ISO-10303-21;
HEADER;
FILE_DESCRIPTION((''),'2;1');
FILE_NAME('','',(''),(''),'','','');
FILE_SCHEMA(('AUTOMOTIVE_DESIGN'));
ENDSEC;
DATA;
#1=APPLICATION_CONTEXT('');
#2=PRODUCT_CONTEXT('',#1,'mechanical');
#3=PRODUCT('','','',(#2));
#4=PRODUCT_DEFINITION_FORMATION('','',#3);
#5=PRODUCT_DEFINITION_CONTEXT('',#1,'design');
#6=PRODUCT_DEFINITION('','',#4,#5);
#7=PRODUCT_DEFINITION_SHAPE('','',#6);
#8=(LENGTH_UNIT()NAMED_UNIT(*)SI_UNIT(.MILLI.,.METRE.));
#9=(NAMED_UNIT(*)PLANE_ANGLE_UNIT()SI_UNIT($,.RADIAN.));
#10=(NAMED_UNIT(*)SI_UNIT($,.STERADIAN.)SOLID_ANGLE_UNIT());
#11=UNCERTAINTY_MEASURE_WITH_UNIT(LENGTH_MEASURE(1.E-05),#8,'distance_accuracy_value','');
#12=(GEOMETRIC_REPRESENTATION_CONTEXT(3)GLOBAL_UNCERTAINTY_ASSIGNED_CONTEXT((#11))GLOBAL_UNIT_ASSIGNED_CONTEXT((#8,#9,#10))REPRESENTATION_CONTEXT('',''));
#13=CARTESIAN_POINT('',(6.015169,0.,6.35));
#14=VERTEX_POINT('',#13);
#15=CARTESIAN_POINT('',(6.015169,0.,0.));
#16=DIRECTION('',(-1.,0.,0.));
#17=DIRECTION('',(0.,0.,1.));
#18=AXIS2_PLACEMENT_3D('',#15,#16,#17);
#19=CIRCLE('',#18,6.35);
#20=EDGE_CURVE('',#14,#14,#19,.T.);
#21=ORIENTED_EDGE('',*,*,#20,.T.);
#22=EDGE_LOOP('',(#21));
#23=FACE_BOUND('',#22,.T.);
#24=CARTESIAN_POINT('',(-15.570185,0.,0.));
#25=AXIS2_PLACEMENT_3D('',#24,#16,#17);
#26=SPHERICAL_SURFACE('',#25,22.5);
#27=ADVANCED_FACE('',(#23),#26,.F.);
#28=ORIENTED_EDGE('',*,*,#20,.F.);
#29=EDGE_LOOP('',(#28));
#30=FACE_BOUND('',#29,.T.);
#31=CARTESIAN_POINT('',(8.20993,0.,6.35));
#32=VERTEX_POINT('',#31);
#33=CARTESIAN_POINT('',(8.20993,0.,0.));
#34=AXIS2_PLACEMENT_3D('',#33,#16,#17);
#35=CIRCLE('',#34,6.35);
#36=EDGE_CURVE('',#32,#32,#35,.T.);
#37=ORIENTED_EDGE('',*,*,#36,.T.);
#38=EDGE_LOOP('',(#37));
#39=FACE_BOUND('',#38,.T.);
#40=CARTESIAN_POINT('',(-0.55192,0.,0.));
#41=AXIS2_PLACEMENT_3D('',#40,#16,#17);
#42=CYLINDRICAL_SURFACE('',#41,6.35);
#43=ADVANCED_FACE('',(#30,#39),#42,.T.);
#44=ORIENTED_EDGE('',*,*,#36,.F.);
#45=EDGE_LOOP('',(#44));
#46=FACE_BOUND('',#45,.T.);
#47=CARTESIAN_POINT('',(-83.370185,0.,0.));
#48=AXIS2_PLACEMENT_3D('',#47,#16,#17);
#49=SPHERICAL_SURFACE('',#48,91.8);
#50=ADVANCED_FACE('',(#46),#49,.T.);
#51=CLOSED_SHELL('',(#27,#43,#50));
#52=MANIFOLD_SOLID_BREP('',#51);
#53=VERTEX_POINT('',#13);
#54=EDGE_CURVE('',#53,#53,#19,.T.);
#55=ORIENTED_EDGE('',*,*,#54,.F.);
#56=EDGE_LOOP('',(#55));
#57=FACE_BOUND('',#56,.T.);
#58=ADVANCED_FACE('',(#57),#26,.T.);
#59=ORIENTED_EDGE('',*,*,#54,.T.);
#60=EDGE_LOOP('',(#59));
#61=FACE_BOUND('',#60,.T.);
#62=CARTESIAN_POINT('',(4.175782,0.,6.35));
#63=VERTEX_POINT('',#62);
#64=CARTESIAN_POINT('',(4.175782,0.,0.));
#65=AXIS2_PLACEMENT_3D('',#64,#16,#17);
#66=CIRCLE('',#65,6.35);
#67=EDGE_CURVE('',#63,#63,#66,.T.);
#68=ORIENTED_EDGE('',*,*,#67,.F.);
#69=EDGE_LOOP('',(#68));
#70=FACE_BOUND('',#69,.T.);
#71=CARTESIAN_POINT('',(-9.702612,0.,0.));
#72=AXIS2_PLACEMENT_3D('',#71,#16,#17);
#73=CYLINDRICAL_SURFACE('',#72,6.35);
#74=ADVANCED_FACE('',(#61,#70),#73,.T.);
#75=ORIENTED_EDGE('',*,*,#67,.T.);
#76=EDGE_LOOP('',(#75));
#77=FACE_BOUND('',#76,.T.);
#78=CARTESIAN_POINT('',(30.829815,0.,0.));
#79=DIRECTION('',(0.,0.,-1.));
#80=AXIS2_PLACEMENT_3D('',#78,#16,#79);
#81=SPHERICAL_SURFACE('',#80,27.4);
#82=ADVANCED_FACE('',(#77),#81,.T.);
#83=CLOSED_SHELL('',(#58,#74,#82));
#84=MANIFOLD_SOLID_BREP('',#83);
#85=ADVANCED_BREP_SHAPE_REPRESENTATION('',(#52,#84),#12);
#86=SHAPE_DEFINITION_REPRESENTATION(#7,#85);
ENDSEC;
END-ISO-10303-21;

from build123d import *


with BuildPart() as part:
    # 草图1 one side → 旋转1 (revolve)
    with BuildSketch(Plane(origin=(0, 0, 0), x_dir=(1, 0, 0), z_dir=(0, 1, 0)), mode=Mode.PRIVATE) as revolve_1_sk:
        with BuildLine():
            ThreePointArc((4.175781711, 6.35), (3.616945823, 3.196833045), (3.429815177, 0))
            Line((3.429815177, 0), (6.929815177, 0))
            ThreePointArc((6.929815177, 0), (6.699979761, 3.207767043), (6.015169008, 6.35))
            Line((6.015169008, 6.35), (4.175781711, 6.35))
        make_face()
    revolve(revolve_1_sk.sketch.rotate(Axis((-9.702612178, 0, 0), (1, 0, 0)), 180), axis=Axis((-9.702612178, 0, 0), (1, 0, 0)))  # turned: the seam where the file's is


with BuildPart() as body_2:
    # 草图2 one side → 旋转3 (revolve)
    with BuildSketch(Plane(origin=(0, 0, 0), x_dir=(1, 0, 0), z_dir=(0, 1, 0)), mode=Mode.PRIVATE) as revolve_3_sk:
        with BuildLine():
            Line((8.209930377, 6.35), (6.015169008, 6.35))
            ThreePointArc((6.015169008, 6.35), (6.699979761, 3.207767043), (6.929815177, 0))
            Line((6.929815177, 0), (8.429815177, 0))
            ThreePointArc((8.429815177, 0), (8.374827508, 3.176902946), (8.209930377, 6.35))
        make_face()
    revolve(revolve_3_sk.sketch.rotate(Axis((-0.551919993, 0, 0), (1, 0, 0)), 180), axis=Axis((-0.551919993, 0, 0), (1, 0, 0)))  # turned: the seam where the file's is


solid = Compound([part.part, body_2.part])
